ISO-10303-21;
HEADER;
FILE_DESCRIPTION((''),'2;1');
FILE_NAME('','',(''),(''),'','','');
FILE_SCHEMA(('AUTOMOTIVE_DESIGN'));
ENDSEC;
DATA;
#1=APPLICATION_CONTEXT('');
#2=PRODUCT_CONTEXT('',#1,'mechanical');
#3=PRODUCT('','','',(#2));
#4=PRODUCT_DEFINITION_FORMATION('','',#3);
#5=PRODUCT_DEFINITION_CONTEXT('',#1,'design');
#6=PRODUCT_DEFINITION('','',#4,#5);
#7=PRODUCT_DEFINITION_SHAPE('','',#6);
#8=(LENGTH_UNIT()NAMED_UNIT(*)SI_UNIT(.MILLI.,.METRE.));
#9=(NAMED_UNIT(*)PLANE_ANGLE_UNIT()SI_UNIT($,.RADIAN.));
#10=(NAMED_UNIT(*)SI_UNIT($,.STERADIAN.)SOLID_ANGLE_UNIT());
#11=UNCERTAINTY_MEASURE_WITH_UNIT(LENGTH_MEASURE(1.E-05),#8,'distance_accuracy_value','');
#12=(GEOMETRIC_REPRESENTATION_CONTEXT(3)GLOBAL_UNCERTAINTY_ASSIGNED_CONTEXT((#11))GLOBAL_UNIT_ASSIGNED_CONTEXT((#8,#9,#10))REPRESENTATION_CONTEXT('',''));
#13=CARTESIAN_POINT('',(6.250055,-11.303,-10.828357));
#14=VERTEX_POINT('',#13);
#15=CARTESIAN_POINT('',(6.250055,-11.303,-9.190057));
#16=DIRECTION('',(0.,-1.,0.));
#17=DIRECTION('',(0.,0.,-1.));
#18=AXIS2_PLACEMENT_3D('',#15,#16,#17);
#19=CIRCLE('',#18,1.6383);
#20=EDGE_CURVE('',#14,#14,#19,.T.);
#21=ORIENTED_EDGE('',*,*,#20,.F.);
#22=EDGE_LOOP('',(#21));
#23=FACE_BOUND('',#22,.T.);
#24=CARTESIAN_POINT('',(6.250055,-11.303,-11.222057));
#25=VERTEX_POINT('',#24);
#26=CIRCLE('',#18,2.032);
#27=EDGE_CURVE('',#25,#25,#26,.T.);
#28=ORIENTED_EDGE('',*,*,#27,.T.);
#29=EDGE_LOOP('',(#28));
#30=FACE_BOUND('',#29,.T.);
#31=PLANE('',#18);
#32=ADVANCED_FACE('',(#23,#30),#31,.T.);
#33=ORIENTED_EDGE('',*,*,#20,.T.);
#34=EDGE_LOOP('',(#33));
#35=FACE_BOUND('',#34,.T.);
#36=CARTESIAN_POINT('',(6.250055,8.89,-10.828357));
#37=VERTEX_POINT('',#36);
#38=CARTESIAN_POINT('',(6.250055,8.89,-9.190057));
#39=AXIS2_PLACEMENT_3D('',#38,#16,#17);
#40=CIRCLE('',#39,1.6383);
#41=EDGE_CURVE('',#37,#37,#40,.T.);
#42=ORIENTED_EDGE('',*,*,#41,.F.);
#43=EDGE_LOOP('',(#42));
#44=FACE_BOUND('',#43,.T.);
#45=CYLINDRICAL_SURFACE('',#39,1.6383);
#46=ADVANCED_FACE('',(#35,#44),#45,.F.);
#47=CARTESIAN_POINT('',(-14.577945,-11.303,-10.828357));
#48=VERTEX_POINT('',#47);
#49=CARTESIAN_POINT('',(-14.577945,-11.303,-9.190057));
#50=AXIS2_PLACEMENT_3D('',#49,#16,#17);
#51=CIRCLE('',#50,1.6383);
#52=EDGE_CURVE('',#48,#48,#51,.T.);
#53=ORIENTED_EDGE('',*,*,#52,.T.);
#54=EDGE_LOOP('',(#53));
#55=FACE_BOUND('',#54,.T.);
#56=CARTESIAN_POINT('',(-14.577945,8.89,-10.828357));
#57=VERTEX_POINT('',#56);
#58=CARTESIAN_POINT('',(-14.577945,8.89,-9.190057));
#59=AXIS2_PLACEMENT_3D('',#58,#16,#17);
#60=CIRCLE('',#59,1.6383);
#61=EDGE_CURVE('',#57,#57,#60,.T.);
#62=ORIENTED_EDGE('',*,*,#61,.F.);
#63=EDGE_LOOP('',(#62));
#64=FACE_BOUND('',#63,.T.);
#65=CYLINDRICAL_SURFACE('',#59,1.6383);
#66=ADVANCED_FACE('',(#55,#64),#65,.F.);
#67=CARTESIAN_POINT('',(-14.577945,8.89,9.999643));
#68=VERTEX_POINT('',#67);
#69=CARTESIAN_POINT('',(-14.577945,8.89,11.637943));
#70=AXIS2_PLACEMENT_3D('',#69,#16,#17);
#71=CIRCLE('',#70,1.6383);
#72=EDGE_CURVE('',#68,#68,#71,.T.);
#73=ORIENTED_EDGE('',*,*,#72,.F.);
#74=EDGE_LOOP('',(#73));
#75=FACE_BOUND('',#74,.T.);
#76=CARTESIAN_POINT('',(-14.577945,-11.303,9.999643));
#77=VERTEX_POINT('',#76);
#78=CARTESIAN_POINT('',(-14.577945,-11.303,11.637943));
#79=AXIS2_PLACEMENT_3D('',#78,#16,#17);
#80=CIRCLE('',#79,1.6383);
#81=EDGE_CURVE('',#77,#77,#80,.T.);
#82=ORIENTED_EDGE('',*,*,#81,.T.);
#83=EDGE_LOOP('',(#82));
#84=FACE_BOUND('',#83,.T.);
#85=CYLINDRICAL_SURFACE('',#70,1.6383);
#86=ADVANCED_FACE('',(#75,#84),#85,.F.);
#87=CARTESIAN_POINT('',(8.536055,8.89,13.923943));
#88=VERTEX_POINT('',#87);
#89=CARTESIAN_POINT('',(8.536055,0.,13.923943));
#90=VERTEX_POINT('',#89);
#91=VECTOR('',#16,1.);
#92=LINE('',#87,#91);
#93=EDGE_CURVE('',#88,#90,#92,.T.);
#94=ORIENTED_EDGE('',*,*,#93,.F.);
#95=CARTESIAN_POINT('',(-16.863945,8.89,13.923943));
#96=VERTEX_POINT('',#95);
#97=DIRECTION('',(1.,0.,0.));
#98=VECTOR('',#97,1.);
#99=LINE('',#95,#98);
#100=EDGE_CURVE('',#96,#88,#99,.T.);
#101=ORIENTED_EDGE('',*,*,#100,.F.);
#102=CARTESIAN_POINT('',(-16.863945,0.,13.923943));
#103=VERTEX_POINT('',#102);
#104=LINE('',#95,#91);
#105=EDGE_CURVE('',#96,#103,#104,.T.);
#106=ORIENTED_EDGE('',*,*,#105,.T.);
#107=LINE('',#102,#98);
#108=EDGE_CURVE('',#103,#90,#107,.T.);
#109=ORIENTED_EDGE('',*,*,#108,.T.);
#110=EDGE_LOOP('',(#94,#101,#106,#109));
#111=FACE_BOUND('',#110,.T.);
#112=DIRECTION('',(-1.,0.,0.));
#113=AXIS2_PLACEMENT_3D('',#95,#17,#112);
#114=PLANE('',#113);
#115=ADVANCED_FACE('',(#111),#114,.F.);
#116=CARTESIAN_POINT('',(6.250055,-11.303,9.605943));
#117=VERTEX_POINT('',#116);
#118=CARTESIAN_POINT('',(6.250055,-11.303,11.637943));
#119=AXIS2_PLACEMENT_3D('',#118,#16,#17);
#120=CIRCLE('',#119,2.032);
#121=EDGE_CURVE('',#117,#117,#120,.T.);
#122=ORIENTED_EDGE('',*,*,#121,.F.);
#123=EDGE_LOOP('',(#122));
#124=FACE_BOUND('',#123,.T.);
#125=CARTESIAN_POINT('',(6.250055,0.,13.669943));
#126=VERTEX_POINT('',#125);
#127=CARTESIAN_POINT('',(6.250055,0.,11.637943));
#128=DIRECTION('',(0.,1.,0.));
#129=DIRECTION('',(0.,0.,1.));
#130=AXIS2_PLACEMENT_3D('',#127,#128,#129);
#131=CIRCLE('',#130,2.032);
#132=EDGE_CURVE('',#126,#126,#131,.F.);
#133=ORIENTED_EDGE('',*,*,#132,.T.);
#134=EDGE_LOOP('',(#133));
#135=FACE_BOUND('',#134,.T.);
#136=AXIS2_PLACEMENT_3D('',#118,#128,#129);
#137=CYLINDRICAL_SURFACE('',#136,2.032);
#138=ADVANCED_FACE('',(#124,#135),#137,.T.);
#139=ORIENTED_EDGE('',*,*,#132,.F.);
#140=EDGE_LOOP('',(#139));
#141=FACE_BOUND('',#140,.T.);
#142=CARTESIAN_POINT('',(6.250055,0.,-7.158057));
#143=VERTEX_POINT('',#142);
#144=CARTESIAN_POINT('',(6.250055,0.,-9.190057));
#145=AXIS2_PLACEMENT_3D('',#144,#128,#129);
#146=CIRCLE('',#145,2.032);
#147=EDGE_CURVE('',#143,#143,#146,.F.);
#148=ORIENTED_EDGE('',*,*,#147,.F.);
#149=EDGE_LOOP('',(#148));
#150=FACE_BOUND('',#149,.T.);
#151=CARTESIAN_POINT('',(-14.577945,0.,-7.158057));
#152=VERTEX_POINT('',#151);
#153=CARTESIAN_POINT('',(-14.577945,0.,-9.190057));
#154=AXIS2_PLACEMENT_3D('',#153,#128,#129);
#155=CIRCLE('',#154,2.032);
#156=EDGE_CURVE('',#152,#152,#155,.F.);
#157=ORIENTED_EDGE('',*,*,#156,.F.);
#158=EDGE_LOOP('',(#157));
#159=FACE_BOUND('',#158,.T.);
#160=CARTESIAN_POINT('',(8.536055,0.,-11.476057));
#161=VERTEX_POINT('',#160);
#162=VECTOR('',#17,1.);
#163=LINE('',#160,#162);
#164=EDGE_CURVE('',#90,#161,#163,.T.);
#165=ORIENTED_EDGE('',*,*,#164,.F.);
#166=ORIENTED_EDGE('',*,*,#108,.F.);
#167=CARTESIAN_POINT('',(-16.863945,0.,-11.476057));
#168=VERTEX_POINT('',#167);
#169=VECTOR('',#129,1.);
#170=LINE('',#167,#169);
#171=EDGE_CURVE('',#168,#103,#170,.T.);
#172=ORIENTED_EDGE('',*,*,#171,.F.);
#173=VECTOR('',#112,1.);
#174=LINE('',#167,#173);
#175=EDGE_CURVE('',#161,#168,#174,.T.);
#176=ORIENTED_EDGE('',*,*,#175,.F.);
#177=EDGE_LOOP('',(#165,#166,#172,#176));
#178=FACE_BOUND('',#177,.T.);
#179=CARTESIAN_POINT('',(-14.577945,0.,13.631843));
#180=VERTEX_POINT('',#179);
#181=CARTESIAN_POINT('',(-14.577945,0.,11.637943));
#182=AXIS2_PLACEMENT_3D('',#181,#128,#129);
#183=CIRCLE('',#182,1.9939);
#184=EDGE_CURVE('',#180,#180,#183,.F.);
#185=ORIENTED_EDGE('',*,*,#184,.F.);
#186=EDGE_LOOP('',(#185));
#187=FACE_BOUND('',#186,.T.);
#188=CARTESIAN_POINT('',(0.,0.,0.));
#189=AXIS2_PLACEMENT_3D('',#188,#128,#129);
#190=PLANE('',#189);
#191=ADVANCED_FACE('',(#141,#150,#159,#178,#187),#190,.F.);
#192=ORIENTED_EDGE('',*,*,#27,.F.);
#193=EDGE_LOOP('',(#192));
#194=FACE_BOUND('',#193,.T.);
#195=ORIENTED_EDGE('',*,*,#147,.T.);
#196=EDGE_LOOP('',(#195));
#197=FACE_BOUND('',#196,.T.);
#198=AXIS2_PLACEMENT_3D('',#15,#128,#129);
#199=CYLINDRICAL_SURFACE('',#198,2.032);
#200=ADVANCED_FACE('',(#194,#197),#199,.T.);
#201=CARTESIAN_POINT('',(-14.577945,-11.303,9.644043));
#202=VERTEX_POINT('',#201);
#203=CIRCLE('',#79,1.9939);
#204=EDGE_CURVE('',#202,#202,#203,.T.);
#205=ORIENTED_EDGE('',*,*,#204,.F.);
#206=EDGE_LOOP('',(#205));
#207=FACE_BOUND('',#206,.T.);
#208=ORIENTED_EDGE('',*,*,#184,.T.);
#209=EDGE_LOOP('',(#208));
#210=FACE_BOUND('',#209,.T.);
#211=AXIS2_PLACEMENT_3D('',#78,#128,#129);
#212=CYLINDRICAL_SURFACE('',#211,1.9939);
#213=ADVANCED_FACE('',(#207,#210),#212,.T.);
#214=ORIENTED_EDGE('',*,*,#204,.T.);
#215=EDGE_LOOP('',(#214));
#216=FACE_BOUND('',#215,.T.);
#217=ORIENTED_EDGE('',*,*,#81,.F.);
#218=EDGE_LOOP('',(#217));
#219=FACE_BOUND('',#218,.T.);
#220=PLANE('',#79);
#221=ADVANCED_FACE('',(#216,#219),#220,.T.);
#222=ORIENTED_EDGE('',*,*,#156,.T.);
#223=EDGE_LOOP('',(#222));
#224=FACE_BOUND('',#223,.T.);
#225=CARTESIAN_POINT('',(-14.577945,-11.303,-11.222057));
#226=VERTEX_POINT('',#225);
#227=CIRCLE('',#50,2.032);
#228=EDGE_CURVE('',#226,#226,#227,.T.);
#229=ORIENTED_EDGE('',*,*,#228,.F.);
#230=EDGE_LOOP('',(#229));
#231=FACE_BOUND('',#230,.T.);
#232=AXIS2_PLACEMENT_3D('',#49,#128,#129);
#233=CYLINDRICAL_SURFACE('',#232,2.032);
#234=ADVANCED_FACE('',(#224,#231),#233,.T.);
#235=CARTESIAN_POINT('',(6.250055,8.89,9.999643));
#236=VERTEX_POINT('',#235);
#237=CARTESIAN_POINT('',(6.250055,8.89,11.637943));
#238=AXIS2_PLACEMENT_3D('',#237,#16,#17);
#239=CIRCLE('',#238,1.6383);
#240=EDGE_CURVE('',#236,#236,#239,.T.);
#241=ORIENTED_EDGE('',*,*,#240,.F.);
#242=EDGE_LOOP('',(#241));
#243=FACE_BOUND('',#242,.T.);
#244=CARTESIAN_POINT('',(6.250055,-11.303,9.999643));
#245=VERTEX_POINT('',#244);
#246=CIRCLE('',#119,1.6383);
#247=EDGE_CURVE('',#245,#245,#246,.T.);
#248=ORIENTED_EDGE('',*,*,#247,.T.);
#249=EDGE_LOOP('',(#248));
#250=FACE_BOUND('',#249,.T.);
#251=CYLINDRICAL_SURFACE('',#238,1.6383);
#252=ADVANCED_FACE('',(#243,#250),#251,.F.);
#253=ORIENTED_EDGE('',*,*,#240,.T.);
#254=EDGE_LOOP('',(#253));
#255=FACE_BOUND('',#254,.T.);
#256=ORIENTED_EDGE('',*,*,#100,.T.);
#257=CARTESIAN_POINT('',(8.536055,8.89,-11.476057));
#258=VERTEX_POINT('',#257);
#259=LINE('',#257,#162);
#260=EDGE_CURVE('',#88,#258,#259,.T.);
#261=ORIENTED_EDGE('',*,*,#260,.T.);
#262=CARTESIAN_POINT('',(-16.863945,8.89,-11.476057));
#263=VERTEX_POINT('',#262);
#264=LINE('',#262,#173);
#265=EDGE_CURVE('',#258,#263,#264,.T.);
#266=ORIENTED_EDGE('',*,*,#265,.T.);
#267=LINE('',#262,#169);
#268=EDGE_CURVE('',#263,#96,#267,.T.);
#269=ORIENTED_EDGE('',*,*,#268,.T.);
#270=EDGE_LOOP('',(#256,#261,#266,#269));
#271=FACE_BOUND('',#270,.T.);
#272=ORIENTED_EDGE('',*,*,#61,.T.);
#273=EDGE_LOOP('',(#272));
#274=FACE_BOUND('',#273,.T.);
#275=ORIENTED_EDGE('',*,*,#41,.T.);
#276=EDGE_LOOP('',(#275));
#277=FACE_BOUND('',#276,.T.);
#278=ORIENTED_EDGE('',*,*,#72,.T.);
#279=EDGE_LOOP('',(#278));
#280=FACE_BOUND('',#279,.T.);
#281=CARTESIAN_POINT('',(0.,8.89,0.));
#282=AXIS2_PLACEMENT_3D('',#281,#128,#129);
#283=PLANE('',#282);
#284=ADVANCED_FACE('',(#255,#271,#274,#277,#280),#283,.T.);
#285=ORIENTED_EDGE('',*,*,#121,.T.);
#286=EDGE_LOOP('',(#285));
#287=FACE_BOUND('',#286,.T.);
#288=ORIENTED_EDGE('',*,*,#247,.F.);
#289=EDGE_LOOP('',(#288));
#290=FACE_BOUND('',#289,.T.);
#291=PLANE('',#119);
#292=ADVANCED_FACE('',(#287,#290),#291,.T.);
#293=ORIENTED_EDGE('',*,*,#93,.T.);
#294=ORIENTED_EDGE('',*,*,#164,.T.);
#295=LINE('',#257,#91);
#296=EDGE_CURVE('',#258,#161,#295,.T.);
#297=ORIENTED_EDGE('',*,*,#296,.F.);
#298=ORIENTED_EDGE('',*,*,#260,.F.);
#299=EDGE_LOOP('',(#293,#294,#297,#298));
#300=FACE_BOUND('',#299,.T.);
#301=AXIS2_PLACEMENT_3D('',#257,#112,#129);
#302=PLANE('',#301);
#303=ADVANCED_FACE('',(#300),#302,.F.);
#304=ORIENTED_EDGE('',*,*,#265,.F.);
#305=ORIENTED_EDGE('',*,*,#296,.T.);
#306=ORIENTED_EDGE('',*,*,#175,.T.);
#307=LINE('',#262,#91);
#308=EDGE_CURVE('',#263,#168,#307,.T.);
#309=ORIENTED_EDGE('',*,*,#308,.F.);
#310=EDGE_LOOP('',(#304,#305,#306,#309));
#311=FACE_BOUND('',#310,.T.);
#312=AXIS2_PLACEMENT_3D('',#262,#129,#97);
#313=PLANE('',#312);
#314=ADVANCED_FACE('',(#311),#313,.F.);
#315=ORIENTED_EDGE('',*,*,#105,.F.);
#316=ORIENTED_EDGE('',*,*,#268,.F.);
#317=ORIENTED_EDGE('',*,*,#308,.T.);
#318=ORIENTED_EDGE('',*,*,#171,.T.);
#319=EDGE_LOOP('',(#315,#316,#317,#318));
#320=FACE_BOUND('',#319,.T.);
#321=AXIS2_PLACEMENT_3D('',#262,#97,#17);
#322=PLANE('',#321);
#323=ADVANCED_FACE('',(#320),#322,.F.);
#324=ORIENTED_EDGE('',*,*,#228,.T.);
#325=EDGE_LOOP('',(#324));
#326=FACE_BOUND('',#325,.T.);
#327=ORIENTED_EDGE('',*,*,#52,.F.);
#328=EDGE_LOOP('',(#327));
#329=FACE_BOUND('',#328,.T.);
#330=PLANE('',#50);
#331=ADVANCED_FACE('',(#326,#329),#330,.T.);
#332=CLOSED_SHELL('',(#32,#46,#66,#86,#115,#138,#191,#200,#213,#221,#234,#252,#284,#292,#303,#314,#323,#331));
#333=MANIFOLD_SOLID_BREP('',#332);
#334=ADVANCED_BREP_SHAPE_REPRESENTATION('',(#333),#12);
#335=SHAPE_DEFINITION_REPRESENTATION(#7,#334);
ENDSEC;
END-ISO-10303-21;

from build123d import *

# Parameters (mm, degrees)
SKETCH1_W           = 25.4
SKETCH1_H           = 25.4
BOSS_EXTRUDE1_DEPTH = 8.89
SKETCH2_R           = 1.9939
SKETCH2_R_2         = 2.032
BOSS_EXTRUDE2_DEPTH = 11.303
SKETCH3_R           = 1.6383
CUT_EXTRUDE1_DEPTH  = 21.193


with BuildPart() as part:
    # Sketch1 → Boss-Extrude1 (new body)
    with BuildSketch(Plane(origin=(0, 0, 0), x_dir=(1, 0, 0), z_dir=(0, 1, 0))):
        with Locations((-4.163944862, -1.223942607)):
            Rectangle(SKETCH1_W, SKETCH1_H)
    extrude(amount=BOSS_EXTRUDE1_DEPTH)

    # Sketch2 → Boss-Extrude2 (add)
    with BuildSketch(Plane.XZ):
        with Locations((-14.577944862, 11.637942607)):
            Circle(SKETCH2_R)
        with Locations((6.250055138, 11.637942607)):
            Circle(SKETCH2_R_2)
        with Locations((6.250055138, -9.190057393)):
            Circle(SKETCH2_R_2)
        with Locations((-14.577944862, -9.190057393)):
            Circle(SKETCH2_R_2)
    extrude(amount=BOSS_EXTRUDE2_DEPTH)

    # Sketch3 → Cut-Extrude1 (cut, through all)
    with BuildSketch(Plane.XZ.offset(11.303)):
        with Locations((-14.577944862, 11.637942607)):
            Circle(SKETCH3_R)
        with Locations((-14.577944862, -9.190057393)):
            Circle(SKETCH3_R)
        with Locations((6.250055138, -9.190057393)):
            Circle(SKETCH3_R)
        with Locations((6.250055138, 11.637942607)):
            Circle(SKETCH3_R)
    extrude(amount=-CUT_EXTRUDE1_DEPTH, mode=Mode.SUBTRACT)


solid = part.part
